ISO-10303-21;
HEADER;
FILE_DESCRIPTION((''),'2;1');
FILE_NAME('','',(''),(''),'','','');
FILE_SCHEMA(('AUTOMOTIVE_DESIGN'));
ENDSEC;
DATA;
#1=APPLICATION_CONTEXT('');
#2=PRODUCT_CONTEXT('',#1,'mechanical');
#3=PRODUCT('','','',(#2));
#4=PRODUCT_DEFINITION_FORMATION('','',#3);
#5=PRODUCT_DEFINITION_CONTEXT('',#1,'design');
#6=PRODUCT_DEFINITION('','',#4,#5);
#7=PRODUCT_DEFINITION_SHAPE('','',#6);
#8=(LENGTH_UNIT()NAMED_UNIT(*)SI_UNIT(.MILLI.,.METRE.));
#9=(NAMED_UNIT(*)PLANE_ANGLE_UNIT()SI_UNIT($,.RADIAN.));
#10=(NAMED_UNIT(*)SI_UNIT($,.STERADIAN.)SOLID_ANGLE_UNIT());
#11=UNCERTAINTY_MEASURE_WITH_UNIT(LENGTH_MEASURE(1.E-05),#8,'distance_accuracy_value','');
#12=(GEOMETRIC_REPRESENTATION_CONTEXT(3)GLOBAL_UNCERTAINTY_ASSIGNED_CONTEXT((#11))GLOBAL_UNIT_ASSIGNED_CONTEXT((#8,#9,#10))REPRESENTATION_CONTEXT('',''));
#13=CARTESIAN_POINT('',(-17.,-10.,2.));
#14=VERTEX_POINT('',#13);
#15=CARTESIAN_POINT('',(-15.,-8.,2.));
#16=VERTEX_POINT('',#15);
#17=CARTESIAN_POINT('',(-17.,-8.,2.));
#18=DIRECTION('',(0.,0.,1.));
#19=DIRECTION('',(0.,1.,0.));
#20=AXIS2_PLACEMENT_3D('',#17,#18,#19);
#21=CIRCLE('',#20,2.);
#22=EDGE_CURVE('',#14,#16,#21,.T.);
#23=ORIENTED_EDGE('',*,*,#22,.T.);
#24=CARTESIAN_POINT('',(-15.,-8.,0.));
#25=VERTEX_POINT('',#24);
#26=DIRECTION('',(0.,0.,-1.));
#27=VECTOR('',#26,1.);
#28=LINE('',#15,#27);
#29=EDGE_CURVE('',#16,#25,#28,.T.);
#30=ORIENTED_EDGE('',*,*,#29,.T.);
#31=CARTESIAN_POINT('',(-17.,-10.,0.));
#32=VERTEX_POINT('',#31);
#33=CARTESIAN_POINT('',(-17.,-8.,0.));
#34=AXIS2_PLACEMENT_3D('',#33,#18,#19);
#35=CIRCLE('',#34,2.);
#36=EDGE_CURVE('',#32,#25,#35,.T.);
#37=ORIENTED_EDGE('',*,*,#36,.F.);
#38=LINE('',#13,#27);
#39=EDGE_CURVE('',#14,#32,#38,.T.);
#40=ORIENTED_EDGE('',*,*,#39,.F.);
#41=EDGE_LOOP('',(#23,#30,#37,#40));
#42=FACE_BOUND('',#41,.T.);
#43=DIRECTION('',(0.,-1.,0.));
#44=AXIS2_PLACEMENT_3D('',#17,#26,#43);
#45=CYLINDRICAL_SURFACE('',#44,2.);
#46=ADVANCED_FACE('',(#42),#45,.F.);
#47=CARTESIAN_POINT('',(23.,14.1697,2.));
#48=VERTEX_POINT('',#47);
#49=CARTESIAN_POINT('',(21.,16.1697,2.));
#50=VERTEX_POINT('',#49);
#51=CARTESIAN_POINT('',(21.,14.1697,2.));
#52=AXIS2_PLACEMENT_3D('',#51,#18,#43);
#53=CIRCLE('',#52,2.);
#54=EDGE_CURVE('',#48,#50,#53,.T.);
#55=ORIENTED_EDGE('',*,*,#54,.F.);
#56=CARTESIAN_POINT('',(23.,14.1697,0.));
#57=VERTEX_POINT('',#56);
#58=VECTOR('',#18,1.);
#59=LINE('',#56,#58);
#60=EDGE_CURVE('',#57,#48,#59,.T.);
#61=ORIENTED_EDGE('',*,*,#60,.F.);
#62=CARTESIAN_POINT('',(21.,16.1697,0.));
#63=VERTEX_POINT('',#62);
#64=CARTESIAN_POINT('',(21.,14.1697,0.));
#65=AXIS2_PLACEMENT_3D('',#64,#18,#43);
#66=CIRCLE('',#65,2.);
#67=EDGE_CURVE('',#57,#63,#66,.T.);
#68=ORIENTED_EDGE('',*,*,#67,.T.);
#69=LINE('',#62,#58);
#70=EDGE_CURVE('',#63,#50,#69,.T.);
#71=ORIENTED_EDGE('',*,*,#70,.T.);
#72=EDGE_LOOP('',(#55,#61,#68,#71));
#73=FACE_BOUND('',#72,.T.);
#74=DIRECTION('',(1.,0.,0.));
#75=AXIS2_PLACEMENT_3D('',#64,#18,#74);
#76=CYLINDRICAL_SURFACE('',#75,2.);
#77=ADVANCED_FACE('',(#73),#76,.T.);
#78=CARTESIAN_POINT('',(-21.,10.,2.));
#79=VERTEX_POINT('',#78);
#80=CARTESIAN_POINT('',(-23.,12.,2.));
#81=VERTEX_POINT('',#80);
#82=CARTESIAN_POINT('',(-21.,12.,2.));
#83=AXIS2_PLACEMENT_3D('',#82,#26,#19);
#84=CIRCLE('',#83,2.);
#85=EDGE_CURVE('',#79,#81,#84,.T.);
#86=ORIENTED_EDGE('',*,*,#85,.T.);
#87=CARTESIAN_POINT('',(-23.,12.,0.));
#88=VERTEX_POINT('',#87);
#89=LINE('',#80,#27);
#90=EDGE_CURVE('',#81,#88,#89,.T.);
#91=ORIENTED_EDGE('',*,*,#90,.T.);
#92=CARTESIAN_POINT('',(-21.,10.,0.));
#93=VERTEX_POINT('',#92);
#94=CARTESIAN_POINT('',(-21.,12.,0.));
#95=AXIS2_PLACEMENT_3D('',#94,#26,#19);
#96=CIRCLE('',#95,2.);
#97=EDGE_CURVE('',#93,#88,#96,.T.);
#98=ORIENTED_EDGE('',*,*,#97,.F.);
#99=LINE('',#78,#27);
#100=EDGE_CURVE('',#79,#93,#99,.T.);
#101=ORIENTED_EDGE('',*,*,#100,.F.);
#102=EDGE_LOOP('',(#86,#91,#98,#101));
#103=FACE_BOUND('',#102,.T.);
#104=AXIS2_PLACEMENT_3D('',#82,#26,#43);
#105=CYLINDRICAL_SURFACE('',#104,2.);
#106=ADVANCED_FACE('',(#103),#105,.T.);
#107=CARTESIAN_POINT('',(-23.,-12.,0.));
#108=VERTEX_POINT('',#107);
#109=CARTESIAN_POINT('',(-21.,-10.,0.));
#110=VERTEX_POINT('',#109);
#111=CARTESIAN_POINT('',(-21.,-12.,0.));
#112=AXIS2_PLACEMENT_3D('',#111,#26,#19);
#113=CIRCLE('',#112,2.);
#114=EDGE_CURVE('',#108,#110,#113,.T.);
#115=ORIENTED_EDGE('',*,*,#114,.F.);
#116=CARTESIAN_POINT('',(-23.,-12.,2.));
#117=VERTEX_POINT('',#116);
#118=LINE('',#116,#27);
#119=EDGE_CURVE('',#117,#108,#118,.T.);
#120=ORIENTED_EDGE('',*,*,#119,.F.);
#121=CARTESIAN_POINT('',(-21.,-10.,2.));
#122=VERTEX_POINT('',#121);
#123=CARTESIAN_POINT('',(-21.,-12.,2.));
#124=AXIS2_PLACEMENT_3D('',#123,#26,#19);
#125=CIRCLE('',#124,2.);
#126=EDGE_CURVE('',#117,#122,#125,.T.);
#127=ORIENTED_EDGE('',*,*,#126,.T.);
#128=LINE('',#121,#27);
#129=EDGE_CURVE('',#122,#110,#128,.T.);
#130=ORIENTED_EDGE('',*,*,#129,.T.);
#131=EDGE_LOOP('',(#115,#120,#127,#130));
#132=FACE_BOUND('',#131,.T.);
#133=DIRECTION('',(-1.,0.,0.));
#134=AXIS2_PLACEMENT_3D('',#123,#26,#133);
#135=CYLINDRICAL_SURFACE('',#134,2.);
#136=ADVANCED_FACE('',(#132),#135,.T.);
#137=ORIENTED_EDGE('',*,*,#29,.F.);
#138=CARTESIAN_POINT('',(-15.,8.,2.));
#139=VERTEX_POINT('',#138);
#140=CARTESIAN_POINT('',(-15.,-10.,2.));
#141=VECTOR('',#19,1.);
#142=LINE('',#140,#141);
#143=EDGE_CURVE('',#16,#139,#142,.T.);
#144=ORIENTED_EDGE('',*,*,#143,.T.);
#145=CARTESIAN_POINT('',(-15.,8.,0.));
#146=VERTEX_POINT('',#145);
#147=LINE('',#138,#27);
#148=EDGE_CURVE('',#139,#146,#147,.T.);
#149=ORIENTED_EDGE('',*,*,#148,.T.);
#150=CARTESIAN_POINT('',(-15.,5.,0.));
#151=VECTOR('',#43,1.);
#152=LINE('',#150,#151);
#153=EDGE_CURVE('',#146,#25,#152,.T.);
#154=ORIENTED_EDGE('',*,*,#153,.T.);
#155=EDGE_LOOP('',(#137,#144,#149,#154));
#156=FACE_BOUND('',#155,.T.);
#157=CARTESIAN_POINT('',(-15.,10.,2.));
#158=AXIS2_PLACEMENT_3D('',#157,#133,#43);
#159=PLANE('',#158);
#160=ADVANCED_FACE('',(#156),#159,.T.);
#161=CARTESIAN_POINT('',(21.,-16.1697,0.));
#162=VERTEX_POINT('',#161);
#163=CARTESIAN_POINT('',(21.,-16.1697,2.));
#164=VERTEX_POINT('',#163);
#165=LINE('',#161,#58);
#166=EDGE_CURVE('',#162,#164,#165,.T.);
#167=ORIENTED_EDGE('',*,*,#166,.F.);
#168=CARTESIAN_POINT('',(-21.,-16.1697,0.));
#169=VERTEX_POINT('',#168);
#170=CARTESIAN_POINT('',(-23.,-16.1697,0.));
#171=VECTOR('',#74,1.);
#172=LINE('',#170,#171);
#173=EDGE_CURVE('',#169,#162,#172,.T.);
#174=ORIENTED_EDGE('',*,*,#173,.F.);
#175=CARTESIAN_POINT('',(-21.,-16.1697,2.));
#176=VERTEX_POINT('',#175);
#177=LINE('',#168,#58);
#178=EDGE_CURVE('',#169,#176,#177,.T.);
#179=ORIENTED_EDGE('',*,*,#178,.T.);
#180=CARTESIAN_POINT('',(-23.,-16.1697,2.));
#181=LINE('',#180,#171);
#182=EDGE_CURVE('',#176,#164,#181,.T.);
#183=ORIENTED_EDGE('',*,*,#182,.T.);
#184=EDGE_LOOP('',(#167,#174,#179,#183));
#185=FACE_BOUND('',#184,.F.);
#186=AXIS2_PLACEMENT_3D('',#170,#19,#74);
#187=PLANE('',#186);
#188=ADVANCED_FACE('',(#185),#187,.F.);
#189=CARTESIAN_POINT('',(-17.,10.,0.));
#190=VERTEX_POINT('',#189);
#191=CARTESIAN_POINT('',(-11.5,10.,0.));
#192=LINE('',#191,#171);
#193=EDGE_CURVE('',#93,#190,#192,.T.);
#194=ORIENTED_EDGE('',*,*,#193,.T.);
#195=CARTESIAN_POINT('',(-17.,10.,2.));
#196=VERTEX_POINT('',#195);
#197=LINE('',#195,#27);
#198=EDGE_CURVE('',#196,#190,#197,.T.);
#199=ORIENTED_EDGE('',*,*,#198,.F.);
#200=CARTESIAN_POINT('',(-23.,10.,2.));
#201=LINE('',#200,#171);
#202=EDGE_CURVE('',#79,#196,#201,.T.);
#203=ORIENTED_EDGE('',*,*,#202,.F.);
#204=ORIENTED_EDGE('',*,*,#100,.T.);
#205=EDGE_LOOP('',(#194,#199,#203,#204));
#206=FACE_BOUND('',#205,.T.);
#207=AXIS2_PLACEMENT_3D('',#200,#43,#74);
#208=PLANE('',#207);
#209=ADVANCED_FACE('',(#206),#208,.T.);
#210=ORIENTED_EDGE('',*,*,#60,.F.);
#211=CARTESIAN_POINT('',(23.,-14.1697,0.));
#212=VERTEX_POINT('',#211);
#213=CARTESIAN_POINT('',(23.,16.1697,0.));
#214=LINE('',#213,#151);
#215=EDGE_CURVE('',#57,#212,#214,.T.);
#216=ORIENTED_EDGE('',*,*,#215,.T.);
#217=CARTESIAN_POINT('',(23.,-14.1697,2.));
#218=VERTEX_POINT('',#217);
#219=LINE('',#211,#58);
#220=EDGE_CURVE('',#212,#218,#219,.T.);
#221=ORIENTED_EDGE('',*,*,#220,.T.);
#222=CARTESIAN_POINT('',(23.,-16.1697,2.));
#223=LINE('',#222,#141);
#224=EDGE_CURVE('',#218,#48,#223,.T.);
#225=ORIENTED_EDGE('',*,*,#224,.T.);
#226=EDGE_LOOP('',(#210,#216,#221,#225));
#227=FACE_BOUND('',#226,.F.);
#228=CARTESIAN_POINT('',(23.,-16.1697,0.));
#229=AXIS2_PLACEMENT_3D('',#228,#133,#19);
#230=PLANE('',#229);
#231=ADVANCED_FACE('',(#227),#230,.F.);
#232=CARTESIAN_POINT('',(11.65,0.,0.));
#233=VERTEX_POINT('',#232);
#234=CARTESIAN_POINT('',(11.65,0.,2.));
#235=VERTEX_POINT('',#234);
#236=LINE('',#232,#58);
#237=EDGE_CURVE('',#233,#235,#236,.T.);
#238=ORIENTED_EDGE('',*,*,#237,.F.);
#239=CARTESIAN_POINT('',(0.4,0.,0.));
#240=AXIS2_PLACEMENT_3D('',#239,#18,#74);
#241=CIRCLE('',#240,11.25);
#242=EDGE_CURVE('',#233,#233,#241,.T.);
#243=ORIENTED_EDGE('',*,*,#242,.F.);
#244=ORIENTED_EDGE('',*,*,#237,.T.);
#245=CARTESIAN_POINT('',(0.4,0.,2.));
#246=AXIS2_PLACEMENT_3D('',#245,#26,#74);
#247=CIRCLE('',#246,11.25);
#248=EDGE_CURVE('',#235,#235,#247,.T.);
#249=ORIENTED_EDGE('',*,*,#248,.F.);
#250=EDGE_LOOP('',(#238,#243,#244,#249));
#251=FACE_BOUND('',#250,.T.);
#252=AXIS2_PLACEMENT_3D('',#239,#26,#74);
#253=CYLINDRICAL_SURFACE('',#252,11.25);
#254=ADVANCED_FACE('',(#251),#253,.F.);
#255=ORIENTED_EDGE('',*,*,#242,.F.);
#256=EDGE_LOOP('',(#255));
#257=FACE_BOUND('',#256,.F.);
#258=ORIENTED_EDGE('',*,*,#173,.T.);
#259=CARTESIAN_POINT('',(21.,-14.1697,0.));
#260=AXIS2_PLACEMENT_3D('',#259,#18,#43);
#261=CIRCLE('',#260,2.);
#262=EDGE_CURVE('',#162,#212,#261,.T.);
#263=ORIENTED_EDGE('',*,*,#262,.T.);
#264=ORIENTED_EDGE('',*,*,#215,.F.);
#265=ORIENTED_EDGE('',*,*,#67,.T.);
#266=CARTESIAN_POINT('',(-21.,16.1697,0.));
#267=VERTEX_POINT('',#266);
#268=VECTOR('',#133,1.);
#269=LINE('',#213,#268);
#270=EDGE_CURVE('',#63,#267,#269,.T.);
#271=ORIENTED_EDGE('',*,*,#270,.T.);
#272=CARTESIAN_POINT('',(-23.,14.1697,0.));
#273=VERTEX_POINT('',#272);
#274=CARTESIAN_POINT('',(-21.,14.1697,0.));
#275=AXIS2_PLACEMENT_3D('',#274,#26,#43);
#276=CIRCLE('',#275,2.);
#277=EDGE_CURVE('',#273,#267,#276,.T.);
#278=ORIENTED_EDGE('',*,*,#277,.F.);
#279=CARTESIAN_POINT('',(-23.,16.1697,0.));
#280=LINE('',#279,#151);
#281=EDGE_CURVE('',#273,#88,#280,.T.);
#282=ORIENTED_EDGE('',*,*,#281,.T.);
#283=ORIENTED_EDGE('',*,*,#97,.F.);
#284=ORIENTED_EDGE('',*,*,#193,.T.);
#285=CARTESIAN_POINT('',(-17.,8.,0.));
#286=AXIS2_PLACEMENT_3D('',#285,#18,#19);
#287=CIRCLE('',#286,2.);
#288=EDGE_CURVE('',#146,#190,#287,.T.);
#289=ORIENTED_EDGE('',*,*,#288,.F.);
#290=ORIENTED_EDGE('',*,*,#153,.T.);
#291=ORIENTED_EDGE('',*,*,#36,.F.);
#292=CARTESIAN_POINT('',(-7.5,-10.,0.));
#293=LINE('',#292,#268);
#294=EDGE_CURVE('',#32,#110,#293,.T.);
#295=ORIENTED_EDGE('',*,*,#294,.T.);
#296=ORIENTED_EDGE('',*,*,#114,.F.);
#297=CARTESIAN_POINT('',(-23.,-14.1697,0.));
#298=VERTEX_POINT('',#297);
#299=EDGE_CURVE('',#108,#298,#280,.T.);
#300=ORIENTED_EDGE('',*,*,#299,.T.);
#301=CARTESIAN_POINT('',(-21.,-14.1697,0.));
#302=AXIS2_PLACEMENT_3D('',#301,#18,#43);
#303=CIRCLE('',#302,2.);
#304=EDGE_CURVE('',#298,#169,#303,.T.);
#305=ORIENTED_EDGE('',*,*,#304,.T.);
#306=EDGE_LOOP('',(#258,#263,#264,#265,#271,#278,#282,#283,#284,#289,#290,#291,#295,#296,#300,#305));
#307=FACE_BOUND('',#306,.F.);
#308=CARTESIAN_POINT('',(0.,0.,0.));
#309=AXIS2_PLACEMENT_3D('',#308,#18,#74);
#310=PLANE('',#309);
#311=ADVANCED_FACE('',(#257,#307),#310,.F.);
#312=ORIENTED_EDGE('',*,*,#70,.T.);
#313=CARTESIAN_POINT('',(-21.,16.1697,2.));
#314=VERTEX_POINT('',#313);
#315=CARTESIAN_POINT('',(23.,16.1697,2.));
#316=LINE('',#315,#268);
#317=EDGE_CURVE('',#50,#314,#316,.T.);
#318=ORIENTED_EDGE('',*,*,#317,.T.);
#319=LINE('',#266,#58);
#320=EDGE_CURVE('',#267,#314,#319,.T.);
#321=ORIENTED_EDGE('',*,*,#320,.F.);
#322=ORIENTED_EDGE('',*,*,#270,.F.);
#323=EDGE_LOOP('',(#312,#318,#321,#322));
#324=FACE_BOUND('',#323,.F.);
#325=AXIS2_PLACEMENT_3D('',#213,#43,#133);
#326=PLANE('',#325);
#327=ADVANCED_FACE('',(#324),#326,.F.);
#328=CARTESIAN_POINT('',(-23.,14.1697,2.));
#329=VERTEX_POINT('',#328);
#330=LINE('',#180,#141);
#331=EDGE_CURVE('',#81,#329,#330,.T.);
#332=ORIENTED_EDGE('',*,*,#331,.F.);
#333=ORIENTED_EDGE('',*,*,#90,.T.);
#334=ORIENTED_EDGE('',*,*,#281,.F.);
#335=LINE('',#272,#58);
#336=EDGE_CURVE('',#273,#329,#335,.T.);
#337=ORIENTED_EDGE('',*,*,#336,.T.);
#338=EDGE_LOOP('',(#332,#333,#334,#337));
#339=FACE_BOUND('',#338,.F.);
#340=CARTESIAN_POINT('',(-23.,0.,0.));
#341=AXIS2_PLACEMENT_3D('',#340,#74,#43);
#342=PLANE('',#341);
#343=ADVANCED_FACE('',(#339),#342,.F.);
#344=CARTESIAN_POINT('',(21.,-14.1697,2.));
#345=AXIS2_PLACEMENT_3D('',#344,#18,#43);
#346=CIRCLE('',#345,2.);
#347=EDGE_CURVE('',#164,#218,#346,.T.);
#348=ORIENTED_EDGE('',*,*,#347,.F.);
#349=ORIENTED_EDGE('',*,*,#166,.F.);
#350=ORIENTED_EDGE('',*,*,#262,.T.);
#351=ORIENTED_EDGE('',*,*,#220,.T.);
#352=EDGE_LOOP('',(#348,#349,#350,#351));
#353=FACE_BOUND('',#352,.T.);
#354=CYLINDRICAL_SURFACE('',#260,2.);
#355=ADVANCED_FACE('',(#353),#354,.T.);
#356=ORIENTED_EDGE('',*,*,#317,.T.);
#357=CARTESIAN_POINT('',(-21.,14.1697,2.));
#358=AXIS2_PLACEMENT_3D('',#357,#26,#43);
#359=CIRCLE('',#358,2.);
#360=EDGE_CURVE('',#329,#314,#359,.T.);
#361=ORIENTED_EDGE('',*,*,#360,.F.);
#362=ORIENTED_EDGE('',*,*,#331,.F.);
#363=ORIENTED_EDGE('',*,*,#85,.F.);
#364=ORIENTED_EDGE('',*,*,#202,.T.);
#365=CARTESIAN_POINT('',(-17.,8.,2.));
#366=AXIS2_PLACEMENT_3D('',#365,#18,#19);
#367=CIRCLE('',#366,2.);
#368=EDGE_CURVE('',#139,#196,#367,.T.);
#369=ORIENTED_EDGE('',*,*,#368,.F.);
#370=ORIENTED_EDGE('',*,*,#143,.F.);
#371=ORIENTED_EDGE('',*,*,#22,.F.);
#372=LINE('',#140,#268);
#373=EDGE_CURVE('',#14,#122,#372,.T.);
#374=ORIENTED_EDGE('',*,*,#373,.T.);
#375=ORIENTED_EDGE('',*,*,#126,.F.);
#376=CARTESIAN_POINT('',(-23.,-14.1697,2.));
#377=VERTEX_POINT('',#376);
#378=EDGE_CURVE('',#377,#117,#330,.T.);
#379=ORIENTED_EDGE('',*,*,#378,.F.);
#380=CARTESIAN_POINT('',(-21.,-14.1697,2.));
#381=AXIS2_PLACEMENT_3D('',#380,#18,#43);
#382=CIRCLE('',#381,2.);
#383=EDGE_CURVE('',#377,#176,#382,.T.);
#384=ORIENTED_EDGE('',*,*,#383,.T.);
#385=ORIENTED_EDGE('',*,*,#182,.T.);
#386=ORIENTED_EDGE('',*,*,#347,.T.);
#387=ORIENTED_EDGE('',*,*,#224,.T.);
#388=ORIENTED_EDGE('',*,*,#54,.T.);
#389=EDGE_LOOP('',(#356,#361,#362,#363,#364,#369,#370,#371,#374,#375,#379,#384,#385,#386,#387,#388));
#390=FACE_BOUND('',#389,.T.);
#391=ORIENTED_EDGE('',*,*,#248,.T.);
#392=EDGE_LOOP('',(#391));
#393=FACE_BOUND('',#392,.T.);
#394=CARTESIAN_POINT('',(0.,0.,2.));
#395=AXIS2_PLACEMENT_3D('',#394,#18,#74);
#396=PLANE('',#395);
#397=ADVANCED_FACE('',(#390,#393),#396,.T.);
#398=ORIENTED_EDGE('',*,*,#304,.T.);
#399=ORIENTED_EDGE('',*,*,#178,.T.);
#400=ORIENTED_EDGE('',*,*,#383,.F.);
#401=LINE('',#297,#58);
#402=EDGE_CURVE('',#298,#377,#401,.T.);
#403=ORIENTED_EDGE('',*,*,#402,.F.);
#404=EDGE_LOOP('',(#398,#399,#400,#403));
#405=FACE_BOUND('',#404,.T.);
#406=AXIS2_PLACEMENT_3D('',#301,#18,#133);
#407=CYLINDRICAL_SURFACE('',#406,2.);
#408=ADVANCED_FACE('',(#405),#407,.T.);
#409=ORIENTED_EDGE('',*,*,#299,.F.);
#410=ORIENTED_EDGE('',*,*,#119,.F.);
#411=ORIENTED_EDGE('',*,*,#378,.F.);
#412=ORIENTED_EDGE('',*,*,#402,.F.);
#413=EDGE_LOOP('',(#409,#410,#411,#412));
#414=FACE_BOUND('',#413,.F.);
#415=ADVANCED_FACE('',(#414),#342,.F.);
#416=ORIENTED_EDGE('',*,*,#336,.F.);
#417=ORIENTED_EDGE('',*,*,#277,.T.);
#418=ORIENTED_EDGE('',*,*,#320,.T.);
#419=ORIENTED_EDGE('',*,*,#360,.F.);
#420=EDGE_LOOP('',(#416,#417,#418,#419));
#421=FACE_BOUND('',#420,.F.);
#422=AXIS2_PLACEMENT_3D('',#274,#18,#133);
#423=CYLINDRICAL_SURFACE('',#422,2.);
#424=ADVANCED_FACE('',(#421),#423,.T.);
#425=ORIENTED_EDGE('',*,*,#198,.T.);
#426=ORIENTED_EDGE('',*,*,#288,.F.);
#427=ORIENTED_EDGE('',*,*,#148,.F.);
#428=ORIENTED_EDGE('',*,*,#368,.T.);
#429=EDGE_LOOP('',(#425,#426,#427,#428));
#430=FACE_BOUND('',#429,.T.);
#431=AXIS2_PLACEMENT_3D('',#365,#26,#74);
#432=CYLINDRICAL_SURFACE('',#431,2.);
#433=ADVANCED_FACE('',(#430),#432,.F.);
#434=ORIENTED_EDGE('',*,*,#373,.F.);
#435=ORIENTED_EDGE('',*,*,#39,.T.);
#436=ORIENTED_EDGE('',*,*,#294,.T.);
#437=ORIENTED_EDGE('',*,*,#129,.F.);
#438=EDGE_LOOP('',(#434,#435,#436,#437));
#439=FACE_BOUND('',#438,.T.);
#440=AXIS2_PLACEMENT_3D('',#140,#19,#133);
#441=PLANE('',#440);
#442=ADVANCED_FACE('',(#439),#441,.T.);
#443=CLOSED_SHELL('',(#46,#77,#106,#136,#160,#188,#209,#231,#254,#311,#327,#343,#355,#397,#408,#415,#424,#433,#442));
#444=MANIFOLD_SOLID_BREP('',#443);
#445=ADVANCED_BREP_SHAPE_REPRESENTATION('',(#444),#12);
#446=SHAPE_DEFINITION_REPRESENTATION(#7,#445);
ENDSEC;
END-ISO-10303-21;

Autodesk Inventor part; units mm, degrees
ref_plane "YZ Plane" through (0, 0, 0) normal (1, 0, 0) x (0, 1, 0)
ref_plane "XZ Plane" through (0, 0, 0) normal (0, 1, 0) x (-1, 0, 0)
ref_plane "XY Plane" through (0, 0, 0) normal (0, 0, 1) x (1, 0, 0)
sketch "Sketch1" plane through (0, 0, 0) normal (0, 0, 1) x (1, 0, 0)
  line L0 (-23, -16.1697) -> (23, -16.1697)
  line L1 (23, -16.1697) -> (23, 16.1697)
  line L2 (23, 16.1697) -> (-23, 16.1697)
  line L3 (-23, 16.1697) -> (-23, -16.1697)
  line L4 (-23, -16.1697) -> (23, 16.1697) construction
  line L5 (23, -16.1697) -> (-23, 16.1697) construction
  line L6 (-32.2, 0) -> (32.2, 0) projected
  circle A0 centre (0.4, 0) radius 11.25
  point P0 (0, 0)
  dimension "d0" = 46
  dimension "d1" = 22.5
  dimension "d2" = 22.6
extrude "Extrusion1" add sketch "Sketch1" along normal blind 2 contours L3 L6 A0 L1 L0 | L3 L2 L1 L6 A0
sketch "Sketch2" plane through (0, 0, 2) normal (0, 0, 1) x (1, 0, 0)
  line L0 (-32.2, 0) -> (32.2, 0) projected
  line L1 (-15, -10) -> (-23, -10)
  line L2 (-23, -10) -> (-23, 10)
  line L3 (-23, 10) -> (-15, 10)
  line L4 (-15, 10) -> (-15, -10)
  line L5 (-15, -10) -> (-23, 10) construction
  line L6 (-23, -10) -> (-15, 10) construction
  line L7 (-23, 16.1697) -> (-23, -16.1697) projected
  point P0 (0, 0)
  point P1 (-19, 0)
  dimension "d5" = 20
  dimension "d8" = 8
extrude "Extrusion2" cut sketch "Sketch2" against normal through all
fillet "Fillet1" radius 2 8 edges at (-15, 10, 1) (-15, -10, 1) (-23, -10, 1) (-23, -16.1697, 1) (-23, 10, 1) (-23, 16.1697, 1) (23, -16.1697, 1) (23, 16.1697, 1)
properties part number "_3DPrint"
